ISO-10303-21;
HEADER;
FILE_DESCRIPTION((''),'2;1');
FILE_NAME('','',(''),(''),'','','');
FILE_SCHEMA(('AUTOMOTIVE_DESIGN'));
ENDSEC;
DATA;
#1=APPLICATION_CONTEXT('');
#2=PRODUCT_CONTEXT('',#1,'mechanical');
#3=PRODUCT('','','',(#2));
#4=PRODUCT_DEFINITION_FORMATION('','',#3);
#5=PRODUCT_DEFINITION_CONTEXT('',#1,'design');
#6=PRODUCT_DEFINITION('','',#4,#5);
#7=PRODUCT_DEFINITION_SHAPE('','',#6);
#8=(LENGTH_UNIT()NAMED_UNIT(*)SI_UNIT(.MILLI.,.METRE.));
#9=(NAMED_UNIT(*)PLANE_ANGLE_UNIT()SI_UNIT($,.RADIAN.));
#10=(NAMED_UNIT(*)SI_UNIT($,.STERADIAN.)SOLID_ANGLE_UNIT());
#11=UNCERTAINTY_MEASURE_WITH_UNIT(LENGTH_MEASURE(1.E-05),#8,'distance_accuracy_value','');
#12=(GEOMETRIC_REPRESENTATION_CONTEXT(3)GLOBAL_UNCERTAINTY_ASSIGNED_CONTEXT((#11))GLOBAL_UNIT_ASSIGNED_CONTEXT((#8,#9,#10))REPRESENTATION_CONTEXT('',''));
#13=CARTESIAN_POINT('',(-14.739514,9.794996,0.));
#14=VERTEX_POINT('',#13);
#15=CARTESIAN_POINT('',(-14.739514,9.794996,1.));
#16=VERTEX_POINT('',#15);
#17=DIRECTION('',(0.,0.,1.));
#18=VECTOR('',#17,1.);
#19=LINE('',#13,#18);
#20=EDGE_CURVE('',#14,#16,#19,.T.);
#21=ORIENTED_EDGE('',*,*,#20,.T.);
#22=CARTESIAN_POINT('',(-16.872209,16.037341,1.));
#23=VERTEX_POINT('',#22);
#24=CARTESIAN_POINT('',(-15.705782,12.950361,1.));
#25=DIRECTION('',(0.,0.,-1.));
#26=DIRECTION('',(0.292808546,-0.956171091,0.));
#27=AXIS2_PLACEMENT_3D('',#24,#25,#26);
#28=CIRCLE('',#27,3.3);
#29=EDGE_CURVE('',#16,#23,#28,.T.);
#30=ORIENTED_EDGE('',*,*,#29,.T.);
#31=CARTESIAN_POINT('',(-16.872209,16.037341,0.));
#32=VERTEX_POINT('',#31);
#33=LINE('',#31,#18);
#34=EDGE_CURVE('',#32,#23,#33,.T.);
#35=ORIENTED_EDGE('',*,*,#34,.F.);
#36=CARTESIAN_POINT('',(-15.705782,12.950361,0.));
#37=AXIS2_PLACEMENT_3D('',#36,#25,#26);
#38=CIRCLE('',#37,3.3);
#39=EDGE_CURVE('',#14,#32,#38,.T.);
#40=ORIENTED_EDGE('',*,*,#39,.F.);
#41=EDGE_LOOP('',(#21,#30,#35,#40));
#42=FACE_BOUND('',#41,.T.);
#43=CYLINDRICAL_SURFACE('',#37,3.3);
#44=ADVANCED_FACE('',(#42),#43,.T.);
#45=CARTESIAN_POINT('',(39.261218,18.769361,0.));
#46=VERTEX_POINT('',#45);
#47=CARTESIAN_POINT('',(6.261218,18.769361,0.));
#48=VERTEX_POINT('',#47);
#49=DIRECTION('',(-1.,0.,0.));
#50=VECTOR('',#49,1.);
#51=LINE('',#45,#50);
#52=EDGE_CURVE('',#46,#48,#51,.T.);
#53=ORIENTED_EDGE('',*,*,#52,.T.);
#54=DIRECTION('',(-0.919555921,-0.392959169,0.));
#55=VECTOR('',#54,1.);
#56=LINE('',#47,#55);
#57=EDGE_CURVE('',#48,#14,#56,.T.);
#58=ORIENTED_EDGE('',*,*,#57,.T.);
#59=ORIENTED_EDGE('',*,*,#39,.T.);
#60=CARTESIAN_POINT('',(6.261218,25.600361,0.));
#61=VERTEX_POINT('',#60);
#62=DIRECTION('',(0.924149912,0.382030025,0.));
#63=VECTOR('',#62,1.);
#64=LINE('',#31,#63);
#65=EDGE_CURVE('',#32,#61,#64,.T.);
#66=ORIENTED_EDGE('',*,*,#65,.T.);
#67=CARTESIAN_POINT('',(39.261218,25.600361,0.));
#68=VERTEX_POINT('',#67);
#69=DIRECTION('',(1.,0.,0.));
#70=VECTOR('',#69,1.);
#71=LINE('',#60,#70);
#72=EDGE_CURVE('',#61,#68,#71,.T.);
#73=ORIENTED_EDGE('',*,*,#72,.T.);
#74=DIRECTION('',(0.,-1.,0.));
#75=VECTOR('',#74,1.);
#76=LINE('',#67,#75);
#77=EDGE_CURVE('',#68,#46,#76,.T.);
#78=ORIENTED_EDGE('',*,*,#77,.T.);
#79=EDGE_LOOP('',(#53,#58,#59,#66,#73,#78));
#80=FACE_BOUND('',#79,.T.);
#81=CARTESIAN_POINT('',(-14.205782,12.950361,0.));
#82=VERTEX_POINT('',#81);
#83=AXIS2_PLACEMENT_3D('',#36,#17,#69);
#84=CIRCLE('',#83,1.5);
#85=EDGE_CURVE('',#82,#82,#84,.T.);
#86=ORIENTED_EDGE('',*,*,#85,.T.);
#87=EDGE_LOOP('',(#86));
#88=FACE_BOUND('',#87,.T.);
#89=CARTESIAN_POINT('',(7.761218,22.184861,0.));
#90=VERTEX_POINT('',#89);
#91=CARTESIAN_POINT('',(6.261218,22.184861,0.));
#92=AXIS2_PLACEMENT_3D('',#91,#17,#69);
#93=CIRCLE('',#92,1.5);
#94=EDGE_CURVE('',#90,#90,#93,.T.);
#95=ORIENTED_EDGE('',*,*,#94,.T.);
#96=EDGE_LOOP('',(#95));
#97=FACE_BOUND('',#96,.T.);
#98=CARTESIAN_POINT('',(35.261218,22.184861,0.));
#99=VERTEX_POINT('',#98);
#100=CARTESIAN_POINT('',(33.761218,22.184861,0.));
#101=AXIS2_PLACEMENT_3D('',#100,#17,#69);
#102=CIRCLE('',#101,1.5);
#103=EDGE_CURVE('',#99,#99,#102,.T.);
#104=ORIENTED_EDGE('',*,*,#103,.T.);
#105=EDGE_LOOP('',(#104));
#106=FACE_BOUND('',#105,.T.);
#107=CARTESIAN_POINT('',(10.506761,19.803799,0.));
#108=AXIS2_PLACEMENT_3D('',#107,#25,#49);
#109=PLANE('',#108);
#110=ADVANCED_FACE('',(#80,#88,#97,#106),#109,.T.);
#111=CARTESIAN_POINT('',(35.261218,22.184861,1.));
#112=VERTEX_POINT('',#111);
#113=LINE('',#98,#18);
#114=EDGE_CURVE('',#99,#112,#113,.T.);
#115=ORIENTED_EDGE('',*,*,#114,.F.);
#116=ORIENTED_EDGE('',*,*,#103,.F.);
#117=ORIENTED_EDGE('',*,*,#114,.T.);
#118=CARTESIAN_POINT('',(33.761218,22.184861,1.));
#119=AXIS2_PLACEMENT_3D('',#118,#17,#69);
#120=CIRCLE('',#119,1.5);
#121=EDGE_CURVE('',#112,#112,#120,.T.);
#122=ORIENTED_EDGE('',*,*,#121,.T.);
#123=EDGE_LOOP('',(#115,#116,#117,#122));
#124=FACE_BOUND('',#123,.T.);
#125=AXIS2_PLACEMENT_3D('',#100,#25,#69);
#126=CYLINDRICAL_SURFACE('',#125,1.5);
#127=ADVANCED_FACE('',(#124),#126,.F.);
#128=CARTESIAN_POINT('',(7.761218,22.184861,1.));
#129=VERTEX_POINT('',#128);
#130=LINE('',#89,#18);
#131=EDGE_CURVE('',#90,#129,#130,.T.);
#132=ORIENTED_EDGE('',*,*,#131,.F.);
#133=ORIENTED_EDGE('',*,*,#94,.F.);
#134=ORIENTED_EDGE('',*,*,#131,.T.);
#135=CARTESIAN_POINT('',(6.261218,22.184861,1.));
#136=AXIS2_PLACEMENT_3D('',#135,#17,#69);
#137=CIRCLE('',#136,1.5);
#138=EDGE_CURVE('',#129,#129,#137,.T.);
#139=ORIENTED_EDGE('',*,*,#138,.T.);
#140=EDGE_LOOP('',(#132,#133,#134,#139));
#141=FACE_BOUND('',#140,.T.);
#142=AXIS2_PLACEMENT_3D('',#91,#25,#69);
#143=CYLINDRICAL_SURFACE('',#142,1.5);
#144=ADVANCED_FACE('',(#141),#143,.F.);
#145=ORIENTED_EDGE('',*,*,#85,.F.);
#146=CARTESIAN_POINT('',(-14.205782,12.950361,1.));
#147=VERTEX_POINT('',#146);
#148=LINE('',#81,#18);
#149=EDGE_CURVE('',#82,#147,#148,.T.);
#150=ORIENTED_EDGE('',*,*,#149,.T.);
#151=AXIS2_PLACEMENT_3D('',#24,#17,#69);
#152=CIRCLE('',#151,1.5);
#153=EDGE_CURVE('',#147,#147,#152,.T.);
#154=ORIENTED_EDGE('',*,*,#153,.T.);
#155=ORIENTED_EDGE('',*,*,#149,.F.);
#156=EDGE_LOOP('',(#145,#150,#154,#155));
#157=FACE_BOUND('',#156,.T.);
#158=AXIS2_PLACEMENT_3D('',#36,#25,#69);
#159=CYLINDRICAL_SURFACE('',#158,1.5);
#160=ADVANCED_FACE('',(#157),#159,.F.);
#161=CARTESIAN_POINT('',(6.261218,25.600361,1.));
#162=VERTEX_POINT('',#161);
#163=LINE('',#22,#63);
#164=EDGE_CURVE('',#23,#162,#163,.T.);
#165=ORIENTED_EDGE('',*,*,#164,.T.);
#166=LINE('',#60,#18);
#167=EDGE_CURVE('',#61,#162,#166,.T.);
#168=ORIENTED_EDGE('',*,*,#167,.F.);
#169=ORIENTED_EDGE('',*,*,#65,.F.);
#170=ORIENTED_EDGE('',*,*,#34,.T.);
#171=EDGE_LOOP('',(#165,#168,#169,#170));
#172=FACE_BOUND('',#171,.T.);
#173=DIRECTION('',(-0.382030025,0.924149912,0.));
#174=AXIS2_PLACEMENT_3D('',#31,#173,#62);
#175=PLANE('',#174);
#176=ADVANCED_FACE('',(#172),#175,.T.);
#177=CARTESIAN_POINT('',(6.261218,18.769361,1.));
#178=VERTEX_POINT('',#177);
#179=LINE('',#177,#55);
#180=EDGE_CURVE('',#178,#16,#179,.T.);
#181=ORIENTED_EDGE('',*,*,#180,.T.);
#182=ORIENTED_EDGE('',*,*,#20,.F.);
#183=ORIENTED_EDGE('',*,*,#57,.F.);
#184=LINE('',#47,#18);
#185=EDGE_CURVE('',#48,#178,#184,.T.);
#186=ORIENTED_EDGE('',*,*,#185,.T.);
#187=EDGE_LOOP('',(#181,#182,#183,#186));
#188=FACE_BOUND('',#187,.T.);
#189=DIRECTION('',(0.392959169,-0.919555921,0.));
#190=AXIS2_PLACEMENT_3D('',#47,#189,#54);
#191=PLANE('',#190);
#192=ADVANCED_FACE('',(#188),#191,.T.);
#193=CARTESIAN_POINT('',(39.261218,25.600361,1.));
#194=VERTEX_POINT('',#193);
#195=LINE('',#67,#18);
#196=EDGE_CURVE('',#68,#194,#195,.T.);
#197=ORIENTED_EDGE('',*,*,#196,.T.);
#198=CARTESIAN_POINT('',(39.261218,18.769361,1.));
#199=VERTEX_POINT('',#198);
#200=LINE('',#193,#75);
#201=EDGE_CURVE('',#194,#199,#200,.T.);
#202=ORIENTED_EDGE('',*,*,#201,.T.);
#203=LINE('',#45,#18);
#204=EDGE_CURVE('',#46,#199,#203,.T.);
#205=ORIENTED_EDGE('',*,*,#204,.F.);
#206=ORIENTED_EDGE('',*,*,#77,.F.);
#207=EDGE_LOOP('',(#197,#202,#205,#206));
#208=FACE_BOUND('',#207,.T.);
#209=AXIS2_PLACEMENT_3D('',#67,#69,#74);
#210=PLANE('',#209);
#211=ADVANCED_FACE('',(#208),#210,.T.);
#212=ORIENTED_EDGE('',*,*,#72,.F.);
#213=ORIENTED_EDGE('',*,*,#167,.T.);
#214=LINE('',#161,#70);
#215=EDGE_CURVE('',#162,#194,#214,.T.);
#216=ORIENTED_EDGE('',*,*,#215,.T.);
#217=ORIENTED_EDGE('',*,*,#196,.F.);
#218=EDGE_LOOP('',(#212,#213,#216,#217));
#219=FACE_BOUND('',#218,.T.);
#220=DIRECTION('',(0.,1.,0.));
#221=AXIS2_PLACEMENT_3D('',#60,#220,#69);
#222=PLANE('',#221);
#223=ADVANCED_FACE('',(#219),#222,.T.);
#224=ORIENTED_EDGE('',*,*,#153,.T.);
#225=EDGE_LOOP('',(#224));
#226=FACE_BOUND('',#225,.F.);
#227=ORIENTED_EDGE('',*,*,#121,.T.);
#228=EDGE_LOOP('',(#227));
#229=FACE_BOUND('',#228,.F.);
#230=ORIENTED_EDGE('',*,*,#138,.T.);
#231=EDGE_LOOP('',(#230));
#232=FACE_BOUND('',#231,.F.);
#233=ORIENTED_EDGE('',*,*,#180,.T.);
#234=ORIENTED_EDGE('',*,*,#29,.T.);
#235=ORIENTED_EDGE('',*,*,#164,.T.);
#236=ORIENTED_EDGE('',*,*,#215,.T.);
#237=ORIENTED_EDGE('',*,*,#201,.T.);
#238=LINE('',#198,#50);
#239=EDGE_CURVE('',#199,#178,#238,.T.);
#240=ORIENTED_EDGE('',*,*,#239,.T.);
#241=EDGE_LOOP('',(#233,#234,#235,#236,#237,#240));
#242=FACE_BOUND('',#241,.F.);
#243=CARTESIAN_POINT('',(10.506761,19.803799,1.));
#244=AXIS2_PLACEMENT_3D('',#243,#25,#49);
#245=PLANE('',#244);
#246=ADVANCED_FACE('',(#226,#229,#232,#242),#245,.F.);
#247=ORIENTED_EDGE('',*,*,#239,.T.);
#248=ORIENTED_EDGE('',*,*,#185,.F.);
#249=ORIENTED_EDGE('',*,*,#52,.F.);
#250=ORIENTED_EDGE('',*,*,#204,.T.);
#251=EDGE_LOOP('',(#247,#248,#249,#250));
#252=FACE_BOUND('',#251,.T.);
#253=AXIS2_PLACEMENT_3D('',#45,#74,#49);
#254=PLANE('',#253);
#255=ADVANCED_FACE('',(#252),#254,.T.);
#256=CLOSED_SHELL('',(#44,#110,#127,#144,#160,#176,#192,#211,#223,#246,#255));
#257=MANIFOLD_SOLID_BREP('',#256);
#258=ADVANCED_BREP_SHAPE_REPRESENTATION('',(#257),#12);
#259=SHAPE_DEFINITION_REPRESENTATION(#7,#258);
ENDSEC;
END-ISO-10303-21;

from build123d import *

# Parameters (mm, degrees)
MODEL_R                 = 1.5
SALIENTE_EXTRUIR1_DEPTH = 1


with BuildPart() as part:
    # Model → Saliente-Extruir1 (new body)
    with BuildSketch(Plane.XY):
        with BuildLine():
            Line((6.261217919, 18.769360839), (-14.739513879, 9.794996238))
            ThreePointArc((-14.739513879, 9.794996238), (-18.828558612, 11.883464999), (-16.872209477, 16.037341099))
            Line((-16.872209477, 16.037341099), (6.261217919, 25.600360839))
            Line((6.261217919, 25.600360839), (39.261217919, 25.600360839))
            Line((39.261217919, 25.600360839), (39.261217919, 18.769360839))
            Line((39.261217919, 18.769360839), (6.261217919, 18.769360839))
        make_face()
        with Locations((33.761217919, 22.184860839)):
            Circle(MODEL_R, mode=Mode.SUBTRACT)
        with Locations((6.261217919, 22.184860839)):
            Circle(MODEL_R, mode=Mode.SUBTRACT)
        with Locations((-15.705782081, 12.950360839)):
            Circle(MODEL_R, mode=Mode.SUBTRACT)
    extrude(amount=SALIENTE_EXTRUIR1_DEPTH)


solid = part.part
